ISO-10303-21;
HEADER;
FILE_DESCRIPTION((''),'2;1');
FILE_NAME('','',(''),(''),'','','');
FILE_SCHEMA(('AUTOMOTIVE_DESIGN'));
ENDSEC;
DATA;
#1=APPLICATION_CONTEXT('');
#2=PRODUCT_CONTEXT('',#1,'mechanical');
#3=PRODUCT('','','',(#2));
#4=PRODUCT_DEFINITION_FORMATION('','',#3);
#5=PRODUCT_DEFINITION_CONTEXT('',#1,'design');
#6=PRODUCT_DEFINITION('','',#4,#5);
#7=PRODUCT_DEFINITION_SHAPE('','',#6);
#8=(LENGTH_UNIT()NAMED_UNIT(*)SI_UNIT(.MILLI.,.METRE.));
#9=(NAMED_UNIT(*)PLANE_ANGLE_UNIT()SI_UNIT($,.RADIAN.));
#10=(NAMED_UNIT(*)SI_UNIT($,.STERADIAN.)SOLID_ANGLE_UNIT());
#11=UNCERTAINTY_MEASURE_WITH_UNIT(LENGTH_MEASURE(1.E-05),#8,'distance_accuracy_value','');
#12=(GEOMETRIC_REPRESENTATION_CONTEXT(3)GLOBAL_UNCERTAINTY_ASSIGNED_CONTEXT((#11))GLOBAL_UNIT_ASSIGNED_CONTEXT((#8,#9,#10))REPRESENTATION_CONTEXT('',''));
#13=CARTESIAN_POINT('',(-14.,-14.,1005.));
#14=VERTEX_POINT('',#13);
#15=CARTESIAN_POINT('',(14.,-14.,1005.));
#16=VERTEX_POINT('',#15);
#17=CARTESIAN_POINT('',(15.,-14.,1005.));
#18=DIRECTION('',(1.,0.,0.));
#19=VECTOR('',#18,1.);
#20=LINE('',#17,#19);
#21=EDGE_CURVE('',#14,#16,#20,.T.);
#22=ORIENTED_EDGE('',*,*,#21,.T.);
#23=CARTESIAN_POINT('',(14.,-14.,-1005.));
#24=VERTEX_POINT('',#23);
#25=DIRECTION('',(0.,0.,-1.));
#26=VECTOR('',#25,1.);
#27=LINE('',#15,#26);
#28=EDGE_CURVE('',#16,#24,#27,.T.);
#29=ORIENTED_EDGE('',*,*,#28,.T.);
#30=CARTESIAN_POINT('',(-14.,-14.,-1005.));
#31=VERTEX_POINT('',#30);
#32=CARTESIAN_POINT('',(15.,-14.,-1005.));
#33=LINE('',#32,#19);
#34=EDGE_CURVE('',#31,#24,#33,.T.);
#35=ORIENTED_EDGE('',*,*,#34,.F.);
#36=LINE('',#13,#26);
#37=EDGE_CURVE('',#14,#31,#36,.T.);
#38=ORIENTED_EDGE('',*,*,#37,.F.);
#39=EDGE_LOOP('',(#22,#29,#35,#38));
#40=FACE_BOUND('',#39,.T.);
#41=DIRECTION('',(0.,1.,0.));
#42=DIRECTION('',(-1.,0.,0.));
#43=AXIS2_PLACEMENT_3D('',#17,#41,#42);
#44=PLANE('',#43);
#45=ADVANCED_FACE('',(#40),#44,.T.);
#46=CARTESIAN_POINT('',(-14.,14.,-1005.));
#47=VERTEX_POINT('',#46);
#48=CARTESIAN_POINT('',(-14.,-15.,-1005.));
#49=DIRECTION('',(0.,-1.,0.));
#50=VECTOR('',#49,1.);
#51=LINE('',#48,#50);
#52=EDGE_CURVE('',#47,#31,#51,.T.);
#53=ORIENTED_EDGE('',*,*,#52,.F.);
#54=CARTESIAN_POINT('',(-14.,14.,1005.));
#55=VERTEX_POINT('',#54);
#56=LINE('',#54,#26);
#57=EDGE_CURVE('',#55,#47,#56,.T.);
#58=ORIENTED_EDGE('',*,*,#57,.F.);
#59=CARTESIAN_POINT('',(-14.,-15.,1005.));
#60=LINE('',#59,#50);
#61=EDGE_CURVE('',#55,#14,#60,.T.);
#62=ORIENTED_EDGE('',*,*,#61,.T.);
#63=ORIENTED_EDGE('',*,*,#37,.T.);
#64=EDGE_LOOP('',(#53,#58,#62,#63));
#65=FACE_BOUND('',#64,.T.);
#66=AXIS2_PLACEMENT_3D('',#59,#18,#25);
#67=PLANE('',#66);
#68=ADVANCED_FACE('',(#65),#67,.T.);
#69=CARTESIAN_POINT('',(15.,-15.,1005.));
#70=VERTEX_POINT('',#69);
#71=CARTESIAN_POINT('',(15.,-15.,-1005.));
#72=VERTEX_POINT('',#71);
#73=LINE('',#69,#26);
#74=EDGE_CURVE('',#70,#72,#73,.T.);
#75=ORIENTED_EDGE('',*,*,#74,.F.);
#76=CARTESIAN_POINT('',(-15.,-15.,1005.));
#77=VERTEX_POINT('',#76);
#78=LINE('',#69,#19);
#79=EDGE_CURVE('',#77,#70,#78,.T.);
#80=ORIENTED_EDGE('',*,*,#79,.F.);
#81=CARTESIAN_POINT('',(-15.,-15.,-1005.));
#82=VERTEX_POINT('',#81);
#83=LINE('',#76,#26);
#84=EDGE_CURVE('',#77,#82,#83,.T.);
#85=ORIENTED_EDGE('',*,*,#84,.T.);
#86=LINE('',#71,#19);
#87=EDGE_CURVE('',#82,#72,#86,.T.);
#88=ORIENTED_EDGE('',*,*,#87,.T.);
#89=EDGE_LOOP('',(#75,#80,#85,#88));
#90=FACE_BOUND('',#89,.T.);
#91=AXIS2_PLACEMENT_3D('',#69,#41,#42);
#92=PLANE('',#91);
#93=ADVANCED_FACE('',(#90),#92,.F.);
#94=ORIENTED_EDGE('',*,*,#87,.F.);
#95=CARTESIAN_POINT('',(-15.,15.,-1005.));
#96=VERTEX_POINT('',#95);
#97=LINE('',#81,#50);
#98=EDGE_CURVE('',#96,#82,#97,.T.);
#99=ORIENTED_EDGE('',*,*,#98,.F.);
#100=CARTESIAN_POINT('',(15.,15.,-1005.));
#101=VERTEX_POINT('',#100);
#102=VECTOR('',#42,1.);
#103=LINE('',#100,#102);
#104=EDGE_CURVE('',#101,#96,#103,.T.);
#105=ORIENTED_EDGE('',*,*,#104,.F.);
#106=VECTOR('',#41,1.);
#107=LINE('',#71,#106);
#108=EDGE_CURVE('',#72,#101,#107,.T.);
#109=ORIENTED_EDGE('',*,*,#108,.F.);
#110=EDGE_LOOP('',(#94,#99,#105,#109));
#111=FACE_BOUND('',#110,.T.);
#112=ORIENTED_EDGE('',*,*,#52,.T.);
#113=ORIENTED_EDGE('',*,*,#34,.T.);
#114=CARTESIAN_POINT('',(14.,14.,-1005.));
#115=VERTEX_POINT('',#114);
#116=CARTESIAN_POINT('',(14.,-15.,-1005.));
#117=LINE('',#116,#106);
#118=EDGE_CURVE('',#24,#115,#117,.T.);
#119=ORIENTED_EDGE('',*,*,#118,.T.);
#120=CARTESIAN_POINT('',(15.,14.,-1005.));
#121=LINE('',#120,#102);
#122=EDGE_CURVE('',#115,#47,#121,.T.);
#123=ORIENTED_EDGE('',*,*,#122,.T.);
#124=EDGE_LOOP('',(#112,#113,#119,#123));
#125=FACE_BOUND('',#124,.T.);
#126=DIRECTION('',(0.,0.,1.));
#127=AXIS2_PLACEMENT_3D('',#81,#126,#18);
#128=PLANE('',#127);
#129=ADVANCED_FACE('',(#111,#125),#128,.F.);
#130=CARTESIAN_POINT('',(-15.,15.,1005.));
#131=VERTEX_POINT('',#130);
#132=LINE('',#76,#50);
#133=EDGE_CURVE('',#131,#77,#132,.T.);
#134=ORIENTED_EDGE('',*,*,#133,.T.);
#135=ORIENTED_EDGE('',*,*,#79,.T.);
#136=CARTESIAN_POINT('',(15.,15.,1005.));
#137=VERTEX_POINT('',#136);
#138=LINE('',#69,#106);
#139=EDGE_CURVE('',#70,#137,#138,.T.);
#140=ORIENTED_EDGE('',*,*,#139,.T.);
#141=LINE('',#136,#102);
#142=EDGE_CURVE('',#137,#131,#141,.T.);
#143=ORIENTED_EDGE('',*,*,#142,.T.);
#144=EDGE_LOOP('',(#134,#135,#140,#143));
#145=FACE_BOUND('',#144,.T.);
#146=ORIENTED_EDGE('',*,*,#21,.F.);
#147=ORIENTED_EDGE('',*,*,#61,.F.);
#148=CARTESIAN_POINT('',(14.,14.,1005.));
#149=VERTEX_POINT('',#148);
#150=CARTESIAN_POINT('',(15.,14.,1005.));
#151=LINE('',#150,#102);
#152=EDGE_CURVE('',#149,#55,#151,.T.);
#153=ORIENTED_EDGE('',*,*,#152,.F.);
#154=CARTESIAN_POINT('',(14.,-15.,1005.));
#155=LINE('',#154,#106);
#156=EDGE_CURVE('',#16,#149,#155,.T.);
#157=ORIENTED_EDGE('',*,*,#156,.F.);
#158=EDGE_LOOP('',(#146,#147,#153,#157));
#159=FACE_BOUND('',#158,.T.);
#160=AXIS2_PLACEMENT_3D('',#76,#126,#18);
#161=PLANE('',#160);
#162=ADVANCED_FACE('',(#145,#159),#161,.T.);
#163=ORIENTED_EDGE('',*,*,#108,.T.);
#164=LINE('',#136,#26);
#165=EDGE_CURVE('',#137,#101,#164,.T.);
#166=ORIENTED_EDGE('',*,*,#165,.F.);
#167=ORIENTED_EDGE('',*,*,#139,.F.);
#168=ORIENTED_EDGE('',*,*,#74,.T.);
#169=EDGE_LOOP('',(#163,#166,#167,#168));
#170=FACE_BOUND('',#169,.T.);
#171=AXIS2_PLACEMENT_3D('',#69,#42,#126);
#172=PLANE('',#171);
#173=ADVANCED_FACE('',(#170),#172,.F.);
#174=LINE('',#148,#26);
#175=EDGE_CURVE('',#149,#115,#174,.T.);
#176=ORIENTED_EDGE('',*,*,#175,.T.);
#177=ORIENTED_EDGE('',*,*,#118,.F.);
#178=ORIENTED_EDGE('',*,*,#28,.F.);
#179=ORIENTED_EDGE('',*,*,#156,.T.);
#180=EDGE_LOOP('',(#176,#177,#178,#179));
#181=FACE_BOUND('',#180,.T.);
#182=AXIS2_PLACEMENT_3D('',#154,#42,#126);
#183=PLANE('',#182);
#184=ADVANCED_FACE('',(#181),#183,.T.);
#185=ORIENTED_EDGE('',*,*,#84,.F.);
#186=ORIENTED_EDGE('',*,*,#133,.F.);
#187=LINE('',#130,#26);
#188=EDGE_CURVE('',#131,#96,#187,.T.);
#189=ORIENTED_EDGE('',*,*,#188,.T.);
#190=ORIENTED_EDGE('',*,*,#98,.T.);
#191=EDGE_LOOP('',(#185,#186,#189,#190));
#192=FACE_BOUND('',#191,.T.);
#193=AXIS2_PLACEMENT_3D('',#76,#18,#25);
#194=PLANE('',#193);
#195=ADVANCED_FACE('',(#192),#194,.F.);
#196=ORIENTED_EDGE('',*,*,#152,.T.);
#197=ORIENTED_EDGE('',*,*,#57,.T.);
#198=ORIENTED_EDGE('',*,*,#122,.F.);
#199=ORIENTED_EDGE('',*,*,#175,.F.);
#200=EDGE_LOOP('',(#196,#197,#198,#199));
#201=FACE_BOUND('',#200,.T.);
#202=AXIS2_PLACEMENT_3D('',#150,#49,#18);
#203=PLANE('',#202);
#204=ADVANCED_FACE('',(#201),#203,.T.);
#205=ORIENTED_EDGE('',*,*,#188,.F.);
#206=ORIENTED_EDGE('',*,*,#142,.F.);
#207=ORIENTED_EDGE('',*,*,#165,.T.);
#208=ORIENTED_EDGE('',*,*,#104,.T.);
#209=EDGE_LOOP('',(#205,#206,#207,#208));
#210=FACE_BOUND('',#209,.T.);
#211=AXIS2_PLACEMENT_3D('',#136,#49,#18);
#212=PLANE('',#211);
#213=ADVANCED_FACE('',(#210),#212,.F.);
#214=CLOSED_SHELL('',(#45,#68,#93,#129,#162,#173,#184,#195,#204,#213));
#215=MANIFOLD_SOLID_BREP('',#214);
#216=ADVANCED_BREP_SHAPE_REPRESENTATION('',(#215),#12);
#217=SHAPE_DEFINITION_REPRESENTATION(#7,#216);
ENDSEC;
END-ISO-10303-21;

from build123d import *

# Parameters (mm, degrees)
CROQUIS1_W            = 30
CROQUIS1_H            = 30
CROQUIS1_W_2          = 28
CROQUIS1_H_2          = 28
EXTRUIR_L_MINA1_DEPTH = 1005


with BuildPart() as part:
    # Croquis1 → Extruir-Lámina1 (new, symmetric)
    with BuildSketch(Plane.XY):
        Rectangle(CROQUIS1_W, CROQUIS1_H)
        Rectangle(CROQUIS1_W_2, CROQUIS1_H_2, mode=Mode.SUBTRACT)
    extrude(amount=EXTRUIR_L_MINA1_DEPTH, both=True)


solid = part.part
